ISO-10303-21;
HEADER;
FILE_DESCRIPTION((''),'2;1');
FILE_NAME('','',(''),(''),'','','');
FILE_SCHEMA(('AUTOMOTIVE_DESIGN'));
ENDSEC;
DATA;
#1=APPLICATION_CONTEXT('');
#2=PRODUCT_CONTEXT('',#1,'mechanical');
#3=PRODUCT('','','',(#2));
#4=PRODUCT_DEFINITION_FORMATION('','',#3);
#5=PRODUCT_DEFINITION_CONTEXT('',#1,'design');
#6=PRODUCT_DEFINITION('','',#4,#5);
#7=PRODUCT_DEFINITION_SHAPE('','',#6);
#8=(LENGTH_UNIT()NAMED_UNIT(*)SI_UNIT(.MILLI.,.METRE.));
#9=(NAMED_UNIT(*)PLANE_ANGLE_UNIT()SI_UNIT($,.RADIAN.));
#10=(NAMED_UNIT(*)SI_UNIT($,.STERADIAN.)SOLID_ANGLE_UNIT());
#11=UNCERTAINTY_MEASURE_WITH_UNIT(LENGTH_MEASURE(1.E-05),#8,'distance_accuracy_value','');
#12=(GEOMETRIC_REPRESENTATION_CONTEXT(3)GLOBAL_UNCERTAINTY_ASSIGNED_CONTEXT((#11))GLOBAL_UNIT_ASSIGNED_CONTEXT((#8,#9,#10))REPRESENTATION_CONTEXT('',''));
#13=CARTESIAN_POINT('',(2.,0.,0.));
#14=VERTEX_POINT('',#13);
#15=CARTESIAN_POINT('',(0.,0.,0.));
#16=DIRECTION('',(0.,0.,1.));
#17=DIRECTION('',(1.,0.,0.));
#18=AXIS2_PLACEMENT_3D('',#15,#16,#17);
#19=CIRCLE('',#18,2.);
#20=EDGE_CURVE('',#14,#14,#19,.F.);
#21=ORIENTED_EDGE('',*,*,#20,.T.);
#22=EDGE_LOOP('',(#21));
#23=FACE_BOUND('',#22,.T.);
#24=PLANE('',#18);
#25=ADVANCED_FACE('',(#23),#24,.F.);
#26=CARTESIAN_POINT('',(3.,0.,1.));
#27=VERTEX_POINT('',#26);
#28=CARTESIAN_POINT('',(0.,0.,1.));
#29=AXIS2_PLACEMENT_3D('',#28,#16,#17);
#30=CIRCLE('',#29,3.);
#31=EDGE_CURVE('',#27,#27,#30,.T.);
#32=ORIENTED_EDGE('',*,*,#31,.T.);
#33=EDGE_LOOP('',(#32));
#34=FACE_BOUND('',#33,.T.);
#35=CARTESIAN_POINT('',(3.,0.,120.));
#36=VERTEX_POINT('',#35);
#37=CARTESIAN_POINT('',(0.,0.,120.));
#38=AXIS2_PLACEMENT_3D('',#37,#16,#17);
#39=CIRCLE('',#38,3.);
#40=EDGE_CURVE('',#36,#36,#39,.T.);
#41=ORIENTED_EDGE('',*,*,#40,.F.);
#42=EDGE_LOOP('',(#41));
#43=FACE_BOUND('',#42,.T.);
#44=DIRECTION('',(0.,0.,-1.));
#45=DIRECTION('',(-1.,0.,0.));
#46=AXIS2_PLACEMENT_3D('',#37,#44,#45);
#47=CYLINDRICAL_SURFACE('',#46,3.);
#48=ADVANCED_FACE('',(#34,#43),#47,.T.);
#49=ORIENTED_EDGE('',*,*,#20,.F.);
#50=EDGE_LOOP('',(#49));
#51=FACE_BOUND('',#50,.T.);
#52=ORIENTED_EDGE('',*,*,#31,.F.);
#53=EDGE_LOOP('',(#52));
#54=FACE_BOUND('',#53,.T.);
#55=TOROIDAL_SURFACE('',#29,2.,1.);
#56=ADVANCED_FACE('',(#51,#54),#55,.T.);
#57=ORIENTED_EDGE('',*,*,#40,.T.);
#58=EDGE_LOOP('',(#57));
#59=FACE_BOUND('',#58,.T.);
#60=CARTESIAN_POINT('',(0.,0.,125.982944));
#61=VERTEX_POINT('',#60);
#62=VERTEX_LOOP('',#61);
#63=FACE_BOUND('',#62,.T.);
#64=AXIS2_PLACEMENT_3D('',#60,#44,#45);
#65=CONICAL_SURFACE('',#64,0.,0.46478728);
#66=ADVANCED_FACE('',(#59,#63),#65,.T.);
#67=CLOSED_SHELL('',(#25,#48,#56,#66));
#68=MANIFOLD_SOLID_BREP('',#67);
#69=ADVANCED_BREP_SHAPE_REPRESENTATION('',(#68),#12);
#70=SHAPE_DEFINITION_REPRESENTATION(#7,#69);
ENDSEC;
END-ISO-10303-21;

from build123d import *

# Parameters (mm, degrees)
SKETCH1_R           = 3
BOSS_EXTRUDE1_DEPTH = 120
FILLET1_R           = 1


with BuildPart() as part:
    # Sketch1 → Boss-Extrude1 (new body)
    with BuildSketch(Plane.XY):
        Circle(SKETCH1_R)
    extrude(amount=BOSS_EXTRUDE1_DEPTH)

    # Sketch4 → Revolve2 (revolve)
    with BuildSketch(Plane(origin=(0, 0, 0), x_dir=(1, 0, 0), z_dir=(0, 1, 0)), mode=Mode.PRIVATE) as revolve2_sk:
        Polygon((3, -120), (0, -125.982943807), (0, -120), align=None)
    revolve(revolve2_sk.sketch.rotate(Axis((0, 0, 147.90647938), (0, 0, -1)), 180), axis=Axis((0, 0, 147.90647938), (0, 0, -1)))

    # Fillet1
    fillet1_edges = [part.edges().sort_by_distance(p)[0] for p in [
        (-3, 0, 0),
    ]]
    fillet(fillet1_edges, radius=FILLET1_R)


solid = part.part
